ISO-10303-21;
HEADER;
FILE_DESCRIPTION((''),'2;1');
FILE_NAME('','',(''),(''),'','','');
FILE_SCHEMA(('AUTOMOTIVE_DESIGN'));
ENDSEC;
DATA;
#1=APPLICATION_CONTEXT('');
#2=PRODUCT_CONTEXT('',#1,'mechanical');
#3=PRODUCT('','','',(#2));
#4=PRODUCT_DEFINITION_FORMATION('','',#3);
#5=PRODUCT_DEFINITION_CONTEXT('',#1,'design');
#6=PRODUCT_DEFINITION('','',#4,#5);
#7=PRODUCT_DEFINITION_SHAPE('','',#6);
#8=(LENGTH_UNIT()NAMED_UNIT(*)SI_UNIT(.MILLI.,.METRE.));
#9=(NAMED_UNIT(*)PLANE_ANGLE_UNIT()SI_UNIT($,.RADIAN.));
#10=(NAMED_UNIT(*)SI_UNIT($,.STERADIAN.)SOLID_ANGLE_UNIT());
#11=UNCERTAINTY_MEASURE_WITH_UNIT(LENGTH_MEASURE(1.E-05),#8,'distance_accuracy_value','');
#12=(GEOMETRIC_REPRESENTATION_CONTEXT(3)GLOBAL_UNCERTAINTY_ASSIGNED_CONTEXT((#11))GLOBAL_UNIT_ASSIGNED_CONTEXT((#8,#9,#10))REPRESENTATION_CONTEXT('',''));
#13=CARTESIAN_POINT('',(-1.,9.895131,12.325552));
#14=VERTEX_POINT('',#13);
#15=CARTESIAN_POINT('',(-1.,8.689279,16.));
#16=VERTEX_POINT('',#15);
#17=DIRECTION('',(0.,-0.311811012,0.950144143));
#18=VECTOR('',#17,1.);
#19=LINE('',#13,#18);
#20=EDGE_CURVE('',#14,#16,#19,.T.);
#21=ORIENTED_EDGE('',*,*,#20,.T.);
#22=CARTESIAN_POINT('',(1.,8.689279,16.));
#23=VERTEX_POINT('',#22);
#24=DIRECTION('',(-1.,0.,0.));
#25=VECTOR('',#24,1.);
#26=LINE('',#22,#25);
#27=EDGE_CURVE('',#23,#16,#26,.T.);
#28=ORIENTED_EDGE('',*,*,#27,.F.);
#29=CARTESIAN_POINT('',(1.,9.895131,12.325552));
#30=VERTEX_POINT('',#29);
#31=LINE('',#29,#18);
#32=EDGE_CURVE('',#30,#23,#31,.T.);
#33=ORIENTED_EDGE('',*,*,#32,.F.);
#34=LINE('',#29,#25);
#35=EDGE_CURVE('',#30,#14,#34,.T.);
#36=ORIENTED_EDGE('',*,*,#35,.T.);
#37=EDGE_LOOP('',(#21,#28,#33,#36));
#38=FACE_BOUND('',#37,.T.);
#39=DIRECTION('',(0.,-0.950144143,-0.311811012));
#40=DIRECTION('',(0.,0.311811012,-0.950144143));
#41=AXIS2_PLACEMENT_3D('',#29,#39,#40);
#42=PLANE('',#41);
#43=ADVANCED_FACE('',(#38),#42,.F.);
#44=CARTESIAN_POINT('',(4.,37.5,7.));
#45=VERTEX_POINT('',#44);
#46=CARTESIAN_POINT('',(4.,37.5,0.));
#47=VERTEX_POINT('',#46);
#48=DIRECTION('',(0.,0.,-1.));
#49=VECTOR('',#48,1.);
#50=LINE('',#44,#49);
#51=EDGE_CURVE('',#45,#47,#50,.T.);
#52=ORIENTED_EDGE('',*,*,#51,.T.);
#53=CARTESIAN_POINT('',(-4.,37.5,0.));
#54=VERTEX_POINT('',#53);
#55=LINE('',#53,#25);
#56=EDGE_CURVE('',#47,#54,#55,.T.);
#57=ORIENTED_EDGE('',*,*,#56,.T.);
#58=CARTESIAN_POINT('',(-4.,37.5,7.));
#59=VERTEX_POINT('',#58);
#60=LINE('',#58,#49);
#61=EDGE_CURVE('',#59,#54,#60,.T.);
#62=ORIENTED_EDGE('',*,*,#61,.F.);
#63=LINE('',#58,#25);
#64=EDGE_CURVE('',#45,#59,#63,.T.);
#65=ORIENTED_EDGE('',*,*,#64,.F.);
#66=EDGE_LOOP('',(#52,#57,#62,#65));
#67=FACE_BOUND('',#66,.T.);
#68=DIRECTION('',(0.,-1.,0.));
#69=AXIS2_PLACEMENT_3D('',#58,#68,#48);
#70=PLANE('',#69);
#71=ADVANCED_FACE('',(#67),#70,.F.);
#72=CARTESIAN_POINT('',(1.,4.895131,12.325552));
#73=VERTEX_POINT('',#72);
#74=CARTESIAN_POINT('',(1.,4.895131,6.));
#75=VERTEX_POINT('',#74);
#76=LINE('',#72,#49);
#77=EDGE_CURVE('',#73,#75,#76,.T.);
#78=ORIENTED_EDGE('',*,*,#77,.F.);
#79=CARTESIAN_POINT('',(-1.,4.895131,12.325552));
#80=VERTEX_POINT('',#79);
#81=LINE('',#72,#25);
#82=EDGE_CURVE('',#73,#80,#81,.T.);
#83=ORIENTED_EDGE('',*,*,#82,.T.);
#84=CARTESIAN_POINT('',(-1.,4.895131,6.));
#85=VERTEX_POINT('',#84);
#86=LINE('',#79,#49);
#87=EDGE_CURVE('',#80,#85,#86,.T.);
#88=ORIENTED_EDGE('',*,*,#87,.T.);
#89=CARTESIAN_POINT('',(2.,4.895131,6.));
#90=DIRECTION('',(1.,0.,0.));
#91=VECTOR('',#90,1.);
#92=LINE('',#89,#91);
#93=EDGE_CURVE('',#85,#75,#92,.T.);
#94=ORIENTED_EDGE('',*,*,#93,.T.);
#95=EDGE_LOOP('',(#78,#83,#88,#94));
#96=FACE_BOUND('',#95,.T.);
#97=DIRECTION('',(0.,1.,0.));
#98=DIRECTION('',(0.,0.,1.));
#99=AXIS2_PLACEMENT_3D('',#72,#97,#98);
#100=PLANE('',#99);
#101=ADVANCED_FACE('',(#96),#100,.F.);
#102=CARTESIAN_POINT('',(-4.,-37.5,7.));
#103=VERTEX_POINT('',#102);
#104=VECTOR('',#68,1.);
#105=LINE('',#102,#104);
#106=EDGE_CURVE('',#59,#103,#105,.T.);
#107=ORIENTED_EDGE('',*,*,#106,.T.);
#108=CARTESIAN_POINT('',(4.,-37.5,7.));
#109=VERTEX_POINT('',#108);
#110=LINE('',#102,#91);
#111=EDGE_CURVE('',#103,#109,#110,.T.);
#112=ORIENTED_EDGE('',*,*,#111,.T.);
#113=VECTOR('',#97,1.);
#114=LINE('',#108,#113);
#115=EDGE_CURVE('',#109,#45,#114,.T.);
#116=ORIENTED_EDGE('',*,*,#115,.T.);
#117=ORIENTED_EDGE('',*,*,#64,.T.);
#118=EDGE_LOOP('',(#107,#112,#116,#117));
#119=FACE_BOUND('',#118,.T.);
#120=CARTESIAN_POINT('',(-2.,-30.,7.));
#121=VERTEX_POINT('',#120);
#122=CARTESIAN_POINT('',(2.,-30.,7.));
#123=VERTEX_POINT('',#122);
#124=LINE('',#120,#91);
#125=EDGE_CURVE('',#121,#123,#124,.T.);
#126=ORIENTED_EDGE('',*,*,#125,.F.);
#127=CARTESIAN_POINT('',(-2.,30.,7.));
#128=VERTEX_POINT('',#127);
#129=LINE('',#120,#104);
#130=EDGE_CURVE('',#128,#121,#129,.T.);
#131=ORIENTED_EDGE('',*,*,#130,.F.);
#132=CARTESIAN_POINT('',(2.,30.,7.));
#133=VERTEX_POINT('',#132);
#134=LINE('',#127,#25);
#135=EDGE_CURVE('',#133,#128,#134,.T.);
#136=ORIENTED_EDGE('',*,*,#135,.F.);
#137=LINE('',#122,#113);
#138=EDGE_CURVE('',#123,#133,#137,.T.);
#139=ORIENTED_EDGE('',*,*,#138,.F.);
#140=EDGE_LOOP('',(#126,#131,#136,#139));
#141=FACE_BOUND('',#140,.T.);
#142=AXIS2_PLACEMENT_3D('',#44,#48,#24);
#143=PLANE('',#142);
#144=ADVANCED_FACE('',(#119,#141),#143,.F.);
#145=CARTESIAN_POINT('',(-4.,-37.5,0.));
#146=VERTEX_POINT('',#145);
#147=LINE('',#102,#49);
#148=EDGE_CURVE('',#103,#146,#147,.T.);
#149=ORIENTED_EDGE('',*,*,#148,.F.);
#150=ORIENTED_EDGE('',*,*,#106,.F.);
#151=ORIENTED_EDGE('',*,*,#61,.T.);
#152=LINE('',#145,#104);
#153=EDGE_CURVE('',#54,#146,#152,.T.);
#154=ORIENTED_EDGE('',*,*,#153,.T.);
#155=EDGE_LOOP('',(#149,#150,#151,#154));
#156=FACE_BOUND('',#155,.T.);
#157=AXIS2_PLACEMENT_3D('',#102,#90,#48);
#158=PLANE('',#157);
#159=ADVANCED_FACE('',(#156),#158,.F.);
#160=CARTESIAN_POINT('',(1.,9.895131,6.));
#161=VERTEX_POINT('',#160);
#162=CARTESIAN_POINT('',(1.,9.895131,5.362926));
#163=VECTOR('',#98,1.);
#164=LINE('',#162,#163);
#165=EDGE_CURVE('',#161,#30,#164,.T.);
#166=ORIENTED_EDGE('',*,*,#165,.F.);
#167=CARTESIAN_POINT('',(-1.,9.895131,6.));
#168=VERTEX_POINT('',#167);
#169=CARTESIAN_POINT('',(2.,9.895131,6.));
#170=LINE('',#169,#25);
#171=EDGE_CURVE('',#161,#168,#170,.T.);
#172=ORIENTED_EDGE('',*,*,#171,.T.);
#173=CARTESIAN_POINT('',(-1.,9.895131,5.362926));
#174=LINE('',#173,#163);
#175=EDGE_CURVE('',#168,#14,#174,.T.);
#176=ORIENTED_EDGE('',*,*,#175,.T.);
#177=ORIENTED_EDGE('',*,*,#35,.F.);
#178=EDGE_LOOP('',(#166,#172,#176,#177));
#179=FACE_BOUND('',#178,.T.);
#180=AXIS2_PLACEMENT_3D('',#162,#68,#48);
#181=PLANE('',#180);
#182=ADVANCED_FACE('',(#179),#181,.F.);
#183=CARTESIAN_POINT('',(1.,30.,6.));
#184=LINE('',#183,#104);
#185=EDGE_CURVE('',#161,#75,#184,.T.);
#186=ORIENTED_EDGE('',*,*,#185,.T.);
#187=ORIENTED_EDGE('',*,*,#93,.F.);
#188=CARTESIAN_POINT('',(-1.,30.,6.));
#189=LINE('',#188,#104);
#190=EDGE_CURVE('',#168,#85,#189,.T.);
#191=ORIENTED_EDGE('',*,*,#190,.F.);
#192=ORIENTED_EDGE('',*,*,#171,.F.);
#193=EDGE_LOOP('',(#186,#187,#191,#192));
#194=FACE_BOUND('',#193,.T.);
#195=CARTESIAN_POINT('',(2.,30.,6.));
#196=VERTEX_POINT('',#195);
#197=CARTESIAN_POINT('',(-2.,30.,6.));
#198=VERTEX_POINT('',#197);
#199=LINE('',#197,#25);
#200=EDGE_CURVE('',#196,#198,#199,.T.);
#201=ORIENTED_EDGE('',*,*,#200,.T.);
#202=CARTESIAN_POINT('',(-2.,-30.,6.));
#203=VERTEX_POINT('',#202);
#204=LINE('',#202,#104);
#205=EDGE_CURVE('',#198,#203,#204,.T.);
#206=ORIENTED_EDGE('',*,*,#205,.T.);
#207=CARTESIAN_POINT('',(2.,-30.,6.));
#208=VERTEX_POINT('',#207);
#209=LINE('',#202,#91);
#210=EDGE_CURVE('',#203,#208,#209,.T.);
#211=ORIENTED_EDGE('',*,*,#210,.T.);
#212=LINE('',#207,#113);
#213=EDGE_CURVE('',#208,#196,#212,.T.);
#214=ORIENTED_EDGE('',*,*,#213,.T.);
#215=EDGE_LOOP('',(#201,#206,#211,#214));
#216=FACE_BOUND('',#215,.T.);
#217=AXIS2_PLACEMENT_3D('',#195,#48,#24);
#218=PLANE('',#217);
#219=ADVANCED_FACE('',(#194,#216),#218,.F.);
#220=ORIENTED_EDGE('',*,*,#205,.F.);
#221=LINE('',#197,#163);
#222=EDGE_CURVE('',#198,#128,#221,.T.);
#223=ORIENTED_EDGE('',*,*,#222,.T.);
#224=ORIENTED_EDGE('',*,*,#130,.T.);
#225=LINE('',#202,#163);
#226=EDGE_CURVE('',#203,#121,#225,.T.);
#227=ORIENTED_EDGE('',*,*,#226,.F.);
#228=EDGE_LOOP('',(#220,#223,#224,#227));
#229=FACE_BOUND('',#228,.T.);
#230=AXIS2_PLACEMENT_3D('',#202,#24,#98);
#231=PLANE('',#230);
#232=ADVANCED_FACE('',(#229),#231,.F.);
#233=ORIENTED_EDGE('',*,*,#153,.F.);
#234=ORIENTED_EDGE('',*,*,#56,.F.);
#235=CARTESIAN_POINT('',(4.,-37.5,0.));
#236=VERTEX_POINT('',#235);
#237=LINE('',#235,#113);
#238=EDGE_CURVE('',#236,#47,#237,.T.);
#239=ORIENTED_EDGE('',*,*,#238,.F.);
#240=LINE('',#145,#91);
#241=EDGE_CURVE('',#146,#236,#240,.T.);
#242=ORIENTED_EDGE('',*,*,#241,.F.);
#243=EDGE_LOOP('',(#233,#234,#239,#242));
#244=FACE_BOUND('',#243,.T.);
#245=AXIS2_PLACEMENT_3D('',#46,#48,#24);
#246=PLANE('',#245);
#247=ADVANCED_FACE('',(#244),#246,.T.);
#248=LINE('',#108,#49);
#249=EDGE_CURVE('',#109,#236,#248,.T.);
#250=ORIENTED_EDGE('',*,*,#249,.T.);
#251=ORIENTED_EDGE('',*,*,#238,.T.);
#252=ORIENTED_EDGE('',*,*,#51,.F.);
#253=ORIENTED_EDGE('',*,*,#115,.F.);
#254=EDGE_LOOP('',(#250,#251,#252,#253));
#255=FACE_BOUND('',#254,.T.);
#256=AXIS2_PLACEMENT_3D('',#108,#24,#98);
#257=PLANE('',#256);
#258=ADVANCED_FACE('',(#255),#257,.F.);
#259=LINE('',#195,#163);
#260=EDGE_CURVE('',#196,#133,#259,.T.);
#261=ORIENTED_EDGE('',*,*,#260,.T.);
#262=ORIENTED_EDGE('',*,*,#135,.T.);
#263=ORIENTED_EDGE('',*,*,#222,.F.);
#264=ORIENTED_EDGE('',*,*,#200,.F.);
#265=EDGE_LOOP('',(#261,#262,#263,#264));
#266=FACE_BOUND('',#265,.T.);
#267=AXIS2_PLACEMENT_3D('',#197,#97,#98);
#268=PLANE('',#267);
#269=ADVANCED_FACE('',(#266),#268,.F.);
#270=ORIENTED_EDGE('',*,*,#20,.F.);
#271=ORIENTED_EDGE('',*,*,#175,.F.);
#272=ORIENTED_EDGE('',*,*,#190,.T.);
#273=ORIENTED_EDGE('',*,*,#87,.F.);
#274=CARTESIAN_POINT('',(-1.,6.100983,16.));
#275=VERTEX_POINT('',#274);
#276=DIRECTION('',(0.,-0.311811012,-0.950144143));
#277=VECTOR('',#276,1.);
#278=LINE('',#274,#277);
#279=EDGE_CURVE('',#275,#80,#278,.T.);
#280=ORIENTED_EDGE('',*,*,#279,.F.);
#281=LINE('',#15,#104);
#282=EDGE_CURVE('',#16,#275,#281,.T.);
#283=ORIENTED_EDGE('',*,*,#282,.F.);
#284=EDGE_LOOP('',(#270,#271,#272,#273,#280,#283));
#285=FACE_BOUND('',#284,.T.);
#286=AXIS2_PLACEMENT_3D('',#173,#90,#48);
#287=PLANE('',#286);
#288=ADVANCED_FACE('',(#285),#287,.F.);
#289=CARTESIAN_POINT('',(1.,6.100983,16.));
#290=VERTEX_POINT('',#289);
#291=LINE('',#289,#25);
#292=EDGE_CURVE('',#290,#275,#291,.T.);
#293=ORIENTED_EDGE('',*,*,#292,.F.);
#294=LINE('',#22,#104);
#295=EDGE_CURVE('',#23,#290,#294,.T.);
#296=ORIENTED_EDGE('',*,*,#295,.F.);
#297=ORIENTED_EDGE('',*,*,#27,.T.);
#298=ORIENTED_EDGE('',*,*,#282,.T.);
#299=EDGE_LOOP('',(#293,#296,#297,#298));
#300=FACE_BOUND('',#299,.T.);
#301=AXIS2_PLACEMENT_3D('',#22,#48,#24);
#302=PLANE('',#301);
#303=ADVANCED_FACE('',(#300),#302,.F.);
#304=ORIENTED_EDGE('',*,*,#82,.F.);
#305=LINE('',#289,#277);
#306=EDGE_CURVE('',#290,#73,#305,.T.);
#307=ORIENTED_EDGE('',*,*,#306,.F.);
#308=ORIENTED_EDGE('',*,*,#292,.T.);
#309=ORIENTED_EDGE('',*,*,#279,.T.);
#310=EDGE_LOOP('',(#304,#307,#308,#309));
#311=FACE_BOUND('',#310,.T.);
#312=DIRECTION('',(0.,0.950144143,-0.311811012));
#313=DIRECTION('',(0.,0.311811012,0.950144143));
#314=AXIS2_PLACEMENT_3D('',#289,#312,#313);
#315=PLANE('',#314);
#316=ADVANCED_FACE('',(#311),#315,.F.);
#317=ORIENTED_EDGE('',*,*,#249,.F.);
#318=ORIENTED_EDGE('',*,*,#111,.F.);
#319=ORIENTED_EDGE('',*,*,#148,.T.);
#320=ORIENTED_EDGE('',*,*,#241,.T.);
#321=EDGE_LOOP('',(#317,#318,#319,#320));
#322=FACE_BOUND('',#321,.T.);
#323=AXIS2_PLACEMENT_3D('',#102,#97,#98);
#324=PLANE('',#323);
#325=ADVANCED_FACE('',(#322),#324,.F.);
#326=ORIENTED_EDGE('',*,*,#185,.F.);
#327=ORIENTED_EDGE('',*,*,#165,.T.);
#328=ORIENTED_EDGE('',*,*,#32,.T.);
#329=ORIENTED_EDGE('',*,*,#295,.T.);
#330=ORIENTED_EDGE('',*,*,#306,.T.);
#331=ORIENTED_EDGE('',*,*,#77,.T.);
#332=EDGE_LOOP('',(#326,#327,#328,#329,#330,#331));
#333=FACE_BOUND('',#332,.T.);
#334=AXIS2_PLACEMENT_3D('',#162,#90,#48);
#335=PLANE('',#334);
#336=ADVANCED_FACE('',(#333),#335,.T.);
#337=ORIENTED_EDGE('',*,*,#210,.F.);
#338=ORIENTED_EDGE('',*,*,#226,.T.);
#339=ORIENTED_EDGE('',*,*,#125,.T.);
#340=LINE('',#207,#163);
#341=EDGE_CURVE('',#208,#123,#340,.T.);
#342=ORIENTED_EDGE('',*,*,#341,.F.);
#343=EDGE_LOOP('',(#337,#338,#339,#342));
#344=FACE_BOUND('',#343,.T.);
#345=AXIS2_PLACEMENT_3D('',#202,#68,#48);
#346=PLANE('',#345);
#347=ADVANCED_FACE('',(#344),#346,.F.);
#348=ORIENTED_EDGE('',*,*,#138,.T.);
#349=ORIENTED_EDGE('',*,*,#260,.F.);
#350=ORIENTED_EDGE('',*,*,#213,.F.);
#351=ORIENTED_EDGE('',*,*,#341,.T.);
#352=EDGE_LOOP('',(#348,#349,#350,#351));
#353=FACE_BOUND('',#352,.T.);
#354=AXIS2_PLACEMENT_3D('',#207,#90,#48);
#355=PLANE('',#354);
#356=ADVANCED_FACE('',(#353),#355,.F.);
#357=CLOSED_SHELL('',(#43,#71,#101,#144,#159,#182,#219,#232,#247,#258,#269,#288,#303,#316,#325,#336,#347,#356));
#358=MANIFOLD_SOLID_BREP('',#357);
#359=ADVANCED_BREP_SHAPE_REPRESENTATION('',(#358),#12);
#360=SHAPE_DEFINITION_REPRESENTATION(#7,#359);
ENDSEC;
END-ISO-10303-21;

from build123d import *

# Parameters (mm, degrees)
SKETCH1_W           = 8
SKETCH1_H           = 75
BOSS_EXTRUDE1_DEPTH = 7
SKETCH2_W           = 4
SKETCH2_H           = 60
CUT_EXTRUDE1_DEPTH  = 1
BOSS_EXTRUDE2_DEPTH = 1


with BuildPart() as part:
    # Sketch1 → Boss-Extrude1 (new body)
    with BuildSketch(Plane.XY):
        Rectangle(SKETCH1_W, SKETCH1_H)
    extrude(amount=BOSS_EXTRUDE1_DEPTH)

    # Sketch2 → Cut-Extrude1 (cut)
    with BuildSketch(Plane.XY.offset(7)):
        Rectangle(SKETCH2_W, SKETCH2_H)
    extrude(amount=-CUT_EXTRUDE1_DEPTH, mode=Mode.SUBTRACT)

    # Sketch3 → Boss-Extrude2 (add, symmetric)
    with BuildSketch(Plane(origin=(0, 0, 0), x_dir=(0, 0, -1), z_dir=(1, 0, 0))):
        Polygon((-5.362926248, 9.895130651), (-12.32555201, 9.895130651), (-16, 8.689278514), (-16, 6.100982787), (-12.32555201, 4.895130651), (-5.362926248, 4.895130651), align=None)
    extrude(amount=BOSS_EXTRUDE2_DEPTH, both=True)


solid = part.part
